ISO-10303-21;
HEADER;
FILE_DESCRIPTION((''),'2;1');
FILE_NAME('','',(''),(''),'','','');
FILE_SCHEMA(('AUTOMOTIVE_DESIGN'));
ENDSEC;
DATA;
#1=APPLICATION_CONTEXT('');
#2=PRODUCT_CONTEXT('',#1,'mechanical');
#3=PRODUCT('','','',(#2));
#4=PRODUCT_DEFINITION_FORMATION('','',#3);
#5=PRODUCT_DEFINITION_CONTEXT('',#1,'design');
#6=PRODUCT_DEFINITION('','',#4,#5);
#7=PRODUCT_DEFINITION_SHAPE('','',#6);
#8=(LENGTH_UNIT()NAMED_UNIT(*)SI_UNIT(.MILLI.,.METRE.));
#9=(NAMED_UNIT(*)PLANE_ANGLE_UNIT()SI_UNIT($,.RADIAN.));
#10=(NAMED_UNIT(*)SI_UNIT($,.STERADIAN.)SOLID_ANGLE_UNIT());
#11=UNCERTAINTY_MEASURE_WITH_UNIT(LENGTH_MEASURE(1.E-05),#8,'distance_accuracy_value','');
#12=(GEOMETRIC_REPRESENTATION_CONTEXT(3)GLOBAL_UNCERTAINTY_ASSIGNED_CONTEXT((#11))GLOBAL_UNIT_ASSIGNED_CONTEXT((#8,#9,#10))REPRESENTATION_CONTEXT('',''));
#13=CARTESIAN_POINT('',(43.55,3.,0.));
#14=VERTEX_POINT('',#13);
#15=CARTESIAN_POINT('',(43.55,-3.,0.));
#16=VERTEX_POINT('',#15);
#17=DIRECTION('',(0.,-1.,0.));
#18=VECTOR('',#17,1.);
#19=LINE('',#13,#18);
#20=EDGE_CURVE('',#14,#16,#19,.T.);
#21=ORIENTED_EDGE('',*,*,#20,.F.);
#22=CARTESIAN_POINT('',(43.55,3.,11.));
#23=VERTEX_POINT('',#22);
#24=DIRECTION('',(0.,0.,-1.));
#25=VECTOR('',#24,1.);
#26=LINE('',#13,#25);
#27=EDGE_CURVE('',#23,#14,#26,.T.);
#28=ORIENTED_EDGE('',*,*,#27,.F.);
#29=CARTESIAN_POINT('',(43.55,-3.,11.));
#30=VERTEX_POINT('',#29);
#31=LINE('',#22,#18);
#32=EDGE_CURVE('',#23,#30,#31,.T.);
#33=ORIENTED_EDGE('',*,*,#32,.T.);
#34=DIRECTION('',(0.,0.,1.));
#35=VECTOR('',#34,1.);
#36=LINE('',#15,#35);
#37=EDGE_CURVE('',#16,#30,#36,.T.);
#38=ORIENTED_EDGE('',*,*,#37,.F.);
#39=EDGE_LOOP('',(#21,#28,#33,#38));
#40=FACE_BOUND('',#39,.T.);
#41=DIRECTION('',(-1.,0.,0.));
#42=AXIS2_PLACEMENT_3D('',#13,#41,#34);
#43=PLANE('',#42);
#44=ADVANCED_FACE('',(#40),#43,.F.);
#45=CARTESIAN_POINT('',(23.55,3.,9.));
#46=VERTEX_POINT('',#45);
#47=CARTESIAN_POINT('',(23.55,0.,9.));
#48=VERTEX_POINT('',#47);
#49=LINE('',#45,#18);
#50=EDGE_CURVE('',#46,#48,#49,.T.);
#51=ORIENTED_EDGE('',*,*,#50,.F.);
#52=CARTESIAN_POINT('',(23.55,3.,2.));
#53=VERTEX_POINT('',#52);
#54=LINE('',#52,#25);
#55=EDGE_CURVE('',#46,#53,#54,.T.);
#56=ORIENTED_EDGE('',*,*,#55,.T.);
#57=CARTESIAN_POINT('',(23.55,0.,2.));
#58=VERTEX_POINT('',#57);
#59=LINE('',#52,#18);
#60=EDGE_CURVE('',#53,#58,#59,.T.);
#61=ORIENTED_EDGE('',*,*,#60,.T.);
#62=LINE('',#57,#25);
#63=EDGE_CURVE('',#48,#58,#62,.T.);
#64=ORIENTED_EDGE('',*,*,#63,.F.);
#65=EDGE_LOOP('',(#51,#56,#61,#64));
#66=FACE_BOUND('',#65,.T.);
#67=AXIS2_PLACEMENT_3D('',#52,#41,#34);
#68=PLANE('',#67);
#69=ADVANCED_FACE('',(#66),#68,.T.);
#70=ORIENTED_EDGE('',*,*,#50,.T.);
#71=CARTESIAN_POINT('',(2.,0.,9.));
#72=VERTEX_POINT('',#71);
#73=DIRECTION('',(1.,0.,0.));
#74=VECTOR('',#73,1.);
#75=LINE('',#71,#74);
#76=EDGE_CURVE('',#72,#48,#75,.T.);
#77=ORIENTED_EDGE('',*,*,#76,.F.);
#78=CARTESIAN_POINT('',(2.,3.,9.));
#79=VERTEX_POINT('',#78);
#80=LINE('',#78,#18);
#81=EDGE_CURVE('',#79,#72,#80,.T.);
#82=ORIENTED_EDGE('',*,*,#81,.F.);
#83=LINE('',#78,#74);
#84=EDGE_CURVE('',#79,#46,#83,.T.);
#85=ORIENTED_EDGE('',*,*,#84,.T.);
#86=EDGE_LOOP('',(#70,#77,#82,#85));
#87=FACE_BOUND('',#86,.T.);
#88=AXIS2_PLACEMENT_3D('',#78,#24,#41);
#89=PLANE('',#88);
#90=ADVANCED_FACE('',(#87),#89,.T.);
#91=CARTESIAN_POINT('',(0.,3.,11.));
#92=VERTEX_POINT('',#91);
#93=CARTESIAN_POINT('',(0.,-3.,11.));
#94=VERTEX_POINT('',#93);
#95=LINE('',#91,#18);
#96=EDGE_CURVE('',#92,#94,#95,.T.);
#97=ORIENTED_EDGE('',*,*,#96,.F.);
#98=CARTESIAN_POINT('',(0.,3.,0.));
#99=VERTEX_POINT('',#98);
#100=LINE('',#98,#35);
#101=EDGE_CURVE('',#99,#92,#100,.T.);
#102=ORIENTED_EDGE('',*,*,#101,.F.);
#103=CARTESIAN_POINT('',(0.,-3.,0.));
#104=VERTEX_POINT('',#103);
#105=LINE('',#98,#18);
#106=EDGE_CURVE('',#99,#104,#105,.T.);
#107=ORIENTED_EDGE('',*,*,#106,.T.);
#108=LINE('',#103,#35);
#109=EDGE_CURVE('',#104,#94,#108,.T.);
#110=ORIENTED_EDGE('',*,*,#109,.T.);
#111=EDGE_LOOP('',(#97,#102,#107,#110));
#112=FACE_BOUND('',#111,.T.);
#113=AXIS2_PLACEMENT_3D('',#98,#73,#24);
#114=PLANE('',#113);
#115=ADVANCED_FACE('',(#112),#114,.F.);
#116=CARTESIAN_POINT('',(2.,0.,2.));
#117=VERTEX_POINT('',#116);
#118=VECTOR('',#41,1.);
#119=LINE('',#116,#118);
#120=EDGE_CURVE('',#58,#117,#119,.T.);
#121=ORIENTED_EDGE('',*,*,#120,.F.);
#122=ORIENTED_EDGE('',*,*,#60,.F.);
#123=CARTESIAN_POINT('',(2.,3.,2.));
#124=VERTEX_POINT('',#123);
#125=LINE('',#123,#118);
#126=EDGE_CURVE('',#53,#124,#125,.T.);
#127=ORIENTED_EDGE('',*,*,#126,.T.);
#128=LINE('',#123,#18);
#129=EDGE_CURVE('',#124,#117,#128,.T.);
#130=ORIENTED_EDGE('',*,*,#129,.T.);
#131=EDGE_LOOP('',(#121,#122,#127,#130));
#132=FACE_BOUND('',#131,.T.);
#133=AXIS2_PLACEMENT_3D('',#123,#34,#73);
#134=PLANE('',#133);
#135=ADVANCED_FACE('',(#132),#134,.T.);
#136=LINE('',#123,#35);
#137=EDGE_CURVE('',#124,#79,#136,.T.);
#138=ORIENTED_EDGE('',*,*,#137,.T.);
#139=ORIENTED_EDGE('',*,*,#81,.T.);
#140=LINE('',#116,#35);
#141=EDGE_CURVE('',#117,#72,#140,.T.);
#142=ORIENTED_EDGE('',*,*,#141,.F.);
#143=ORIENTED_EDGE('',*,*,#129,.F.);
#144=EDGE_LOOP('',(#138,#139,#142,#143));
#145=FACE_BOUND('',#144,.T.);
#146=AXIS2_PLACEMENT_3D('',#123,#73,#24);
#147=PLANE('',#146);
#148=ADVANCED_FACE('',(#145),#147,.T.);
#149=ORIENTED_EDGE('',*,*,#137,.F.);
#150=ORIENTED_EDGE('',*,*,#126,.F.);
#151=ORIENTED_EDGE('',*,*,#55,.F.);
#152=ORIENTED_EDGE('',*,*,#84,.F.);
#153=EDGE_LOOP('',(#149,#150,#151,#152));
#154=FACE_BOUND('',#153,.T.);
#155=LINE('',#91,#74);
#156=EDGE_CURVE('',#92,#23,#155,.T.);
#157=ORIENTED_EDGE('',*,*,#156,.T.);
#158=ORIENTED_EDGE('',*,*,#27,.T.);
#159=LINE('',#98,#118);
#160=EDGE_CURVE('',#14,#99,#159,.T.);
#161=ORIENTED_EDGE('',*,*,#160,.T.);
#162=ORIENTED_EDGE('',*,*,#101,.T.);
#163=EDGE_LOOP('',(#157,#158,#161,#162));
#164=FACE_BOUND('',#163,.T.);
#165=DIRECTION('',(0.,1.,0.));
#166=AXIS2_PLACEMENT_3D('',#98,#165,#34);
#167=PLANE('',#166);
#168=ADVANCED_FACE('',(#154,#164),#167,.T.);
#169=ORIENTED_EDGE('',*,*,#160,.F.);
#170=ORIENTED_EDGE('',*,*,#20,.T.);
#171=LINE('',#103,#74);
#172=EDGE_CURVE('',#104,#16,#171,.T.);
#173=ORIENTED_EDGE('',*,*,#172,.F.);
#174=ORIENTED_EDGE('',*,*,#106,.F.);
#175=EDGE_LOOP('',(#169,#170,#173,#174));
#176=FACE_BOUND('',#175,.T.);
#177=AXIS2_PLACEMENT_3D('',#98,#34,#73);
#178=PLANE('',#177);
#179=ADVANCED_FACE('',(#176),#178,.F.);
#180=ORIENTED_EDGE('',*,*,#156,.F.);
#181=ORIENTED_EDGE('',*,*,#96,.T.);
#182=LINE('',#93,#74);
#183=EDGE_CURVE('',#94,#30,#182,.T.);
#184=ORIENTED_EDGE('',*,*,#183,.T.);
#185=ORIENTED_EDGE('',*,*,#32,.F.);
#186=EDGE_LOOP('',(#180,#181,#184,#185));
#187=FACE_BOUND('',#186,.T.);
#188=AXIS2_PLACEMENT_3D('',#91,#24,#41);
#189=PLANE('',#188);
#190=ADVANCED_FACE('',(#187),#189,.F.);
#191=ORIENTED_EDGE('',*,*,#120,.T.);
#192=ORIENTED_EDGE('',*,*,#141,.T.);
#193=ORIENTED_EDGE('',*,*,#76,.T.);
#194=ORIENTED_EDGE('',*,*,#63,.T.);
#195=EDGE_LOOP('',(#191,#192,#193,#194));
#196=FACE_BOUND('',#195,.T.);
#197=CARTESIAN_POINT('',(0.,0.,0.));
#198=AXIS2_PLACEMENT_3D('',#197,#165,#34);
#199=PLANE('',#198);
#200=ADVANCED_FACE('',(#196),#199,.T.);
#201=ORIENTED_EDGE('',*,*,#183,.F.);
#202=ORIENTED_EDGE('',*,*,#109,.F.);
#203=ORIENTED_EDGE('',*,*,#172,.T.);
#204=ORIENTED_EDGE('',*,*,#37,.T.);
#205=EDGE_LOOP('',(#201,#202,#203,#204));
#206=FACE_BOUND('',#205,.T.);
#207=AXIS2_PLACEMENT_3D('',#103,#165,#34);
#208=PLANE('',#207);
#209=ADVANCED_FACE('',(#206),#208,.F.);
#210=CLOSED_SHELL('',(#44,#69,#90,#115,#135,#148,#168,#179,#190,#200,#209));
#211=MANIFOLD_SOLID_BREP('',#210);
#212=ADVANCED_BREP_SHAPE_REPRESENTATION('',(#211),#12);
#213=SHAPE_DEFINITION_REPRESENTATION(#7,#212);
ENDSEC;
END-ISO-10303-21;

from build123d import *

# Parameters (mm, degrees)
SKETCH1_W           = 43.55
SKETCH1_H           = 11
SKETCH1_W_2         = 21.55
SKETCH1_H_2         = 7
BOSS_EXTRUDE1_DEPTH = 3
SKETCH1_2_W         = 43.55
SKETCH1_2_H         = 11
BOSS_EXTRUDE2_DEPTH = 3


with BuildPart() as part:
    # Sketch1 → Boss-Extrude1 (new body)
    with BuildSketch(Plane(origin=(0, 0, 0), x_dir=(1, 0, 0), z_dir=(0, 1, 0))):
        with Locations((21.775, -5.5)):
            Rectangle(SKETCH1_W, SKETCH1_H)
        with Locations((12.775, -5.5)):
            Rectangle(SKETCH1_W_2, SKETCH1_H_2, mode=Mode.SUBTRACT)
    extrude(amount=BOSS_EXTRUDE1_DEPTH)

    # Sketch1<2> → Boss-Extrude2 (add)
    with BuildSketch(Plane(origin=(0, 0, 0), x_dir=(1, 0, 0), z_dir=(0, 1, 0))):
        with Locations((21.775, -5.5)):
            Rectangle(SKETCH1_2_W, SKETCH1_2_H)
    extrude(amount=-BOSS_EXTRUDE2_DEPTH)


solid = part.part
